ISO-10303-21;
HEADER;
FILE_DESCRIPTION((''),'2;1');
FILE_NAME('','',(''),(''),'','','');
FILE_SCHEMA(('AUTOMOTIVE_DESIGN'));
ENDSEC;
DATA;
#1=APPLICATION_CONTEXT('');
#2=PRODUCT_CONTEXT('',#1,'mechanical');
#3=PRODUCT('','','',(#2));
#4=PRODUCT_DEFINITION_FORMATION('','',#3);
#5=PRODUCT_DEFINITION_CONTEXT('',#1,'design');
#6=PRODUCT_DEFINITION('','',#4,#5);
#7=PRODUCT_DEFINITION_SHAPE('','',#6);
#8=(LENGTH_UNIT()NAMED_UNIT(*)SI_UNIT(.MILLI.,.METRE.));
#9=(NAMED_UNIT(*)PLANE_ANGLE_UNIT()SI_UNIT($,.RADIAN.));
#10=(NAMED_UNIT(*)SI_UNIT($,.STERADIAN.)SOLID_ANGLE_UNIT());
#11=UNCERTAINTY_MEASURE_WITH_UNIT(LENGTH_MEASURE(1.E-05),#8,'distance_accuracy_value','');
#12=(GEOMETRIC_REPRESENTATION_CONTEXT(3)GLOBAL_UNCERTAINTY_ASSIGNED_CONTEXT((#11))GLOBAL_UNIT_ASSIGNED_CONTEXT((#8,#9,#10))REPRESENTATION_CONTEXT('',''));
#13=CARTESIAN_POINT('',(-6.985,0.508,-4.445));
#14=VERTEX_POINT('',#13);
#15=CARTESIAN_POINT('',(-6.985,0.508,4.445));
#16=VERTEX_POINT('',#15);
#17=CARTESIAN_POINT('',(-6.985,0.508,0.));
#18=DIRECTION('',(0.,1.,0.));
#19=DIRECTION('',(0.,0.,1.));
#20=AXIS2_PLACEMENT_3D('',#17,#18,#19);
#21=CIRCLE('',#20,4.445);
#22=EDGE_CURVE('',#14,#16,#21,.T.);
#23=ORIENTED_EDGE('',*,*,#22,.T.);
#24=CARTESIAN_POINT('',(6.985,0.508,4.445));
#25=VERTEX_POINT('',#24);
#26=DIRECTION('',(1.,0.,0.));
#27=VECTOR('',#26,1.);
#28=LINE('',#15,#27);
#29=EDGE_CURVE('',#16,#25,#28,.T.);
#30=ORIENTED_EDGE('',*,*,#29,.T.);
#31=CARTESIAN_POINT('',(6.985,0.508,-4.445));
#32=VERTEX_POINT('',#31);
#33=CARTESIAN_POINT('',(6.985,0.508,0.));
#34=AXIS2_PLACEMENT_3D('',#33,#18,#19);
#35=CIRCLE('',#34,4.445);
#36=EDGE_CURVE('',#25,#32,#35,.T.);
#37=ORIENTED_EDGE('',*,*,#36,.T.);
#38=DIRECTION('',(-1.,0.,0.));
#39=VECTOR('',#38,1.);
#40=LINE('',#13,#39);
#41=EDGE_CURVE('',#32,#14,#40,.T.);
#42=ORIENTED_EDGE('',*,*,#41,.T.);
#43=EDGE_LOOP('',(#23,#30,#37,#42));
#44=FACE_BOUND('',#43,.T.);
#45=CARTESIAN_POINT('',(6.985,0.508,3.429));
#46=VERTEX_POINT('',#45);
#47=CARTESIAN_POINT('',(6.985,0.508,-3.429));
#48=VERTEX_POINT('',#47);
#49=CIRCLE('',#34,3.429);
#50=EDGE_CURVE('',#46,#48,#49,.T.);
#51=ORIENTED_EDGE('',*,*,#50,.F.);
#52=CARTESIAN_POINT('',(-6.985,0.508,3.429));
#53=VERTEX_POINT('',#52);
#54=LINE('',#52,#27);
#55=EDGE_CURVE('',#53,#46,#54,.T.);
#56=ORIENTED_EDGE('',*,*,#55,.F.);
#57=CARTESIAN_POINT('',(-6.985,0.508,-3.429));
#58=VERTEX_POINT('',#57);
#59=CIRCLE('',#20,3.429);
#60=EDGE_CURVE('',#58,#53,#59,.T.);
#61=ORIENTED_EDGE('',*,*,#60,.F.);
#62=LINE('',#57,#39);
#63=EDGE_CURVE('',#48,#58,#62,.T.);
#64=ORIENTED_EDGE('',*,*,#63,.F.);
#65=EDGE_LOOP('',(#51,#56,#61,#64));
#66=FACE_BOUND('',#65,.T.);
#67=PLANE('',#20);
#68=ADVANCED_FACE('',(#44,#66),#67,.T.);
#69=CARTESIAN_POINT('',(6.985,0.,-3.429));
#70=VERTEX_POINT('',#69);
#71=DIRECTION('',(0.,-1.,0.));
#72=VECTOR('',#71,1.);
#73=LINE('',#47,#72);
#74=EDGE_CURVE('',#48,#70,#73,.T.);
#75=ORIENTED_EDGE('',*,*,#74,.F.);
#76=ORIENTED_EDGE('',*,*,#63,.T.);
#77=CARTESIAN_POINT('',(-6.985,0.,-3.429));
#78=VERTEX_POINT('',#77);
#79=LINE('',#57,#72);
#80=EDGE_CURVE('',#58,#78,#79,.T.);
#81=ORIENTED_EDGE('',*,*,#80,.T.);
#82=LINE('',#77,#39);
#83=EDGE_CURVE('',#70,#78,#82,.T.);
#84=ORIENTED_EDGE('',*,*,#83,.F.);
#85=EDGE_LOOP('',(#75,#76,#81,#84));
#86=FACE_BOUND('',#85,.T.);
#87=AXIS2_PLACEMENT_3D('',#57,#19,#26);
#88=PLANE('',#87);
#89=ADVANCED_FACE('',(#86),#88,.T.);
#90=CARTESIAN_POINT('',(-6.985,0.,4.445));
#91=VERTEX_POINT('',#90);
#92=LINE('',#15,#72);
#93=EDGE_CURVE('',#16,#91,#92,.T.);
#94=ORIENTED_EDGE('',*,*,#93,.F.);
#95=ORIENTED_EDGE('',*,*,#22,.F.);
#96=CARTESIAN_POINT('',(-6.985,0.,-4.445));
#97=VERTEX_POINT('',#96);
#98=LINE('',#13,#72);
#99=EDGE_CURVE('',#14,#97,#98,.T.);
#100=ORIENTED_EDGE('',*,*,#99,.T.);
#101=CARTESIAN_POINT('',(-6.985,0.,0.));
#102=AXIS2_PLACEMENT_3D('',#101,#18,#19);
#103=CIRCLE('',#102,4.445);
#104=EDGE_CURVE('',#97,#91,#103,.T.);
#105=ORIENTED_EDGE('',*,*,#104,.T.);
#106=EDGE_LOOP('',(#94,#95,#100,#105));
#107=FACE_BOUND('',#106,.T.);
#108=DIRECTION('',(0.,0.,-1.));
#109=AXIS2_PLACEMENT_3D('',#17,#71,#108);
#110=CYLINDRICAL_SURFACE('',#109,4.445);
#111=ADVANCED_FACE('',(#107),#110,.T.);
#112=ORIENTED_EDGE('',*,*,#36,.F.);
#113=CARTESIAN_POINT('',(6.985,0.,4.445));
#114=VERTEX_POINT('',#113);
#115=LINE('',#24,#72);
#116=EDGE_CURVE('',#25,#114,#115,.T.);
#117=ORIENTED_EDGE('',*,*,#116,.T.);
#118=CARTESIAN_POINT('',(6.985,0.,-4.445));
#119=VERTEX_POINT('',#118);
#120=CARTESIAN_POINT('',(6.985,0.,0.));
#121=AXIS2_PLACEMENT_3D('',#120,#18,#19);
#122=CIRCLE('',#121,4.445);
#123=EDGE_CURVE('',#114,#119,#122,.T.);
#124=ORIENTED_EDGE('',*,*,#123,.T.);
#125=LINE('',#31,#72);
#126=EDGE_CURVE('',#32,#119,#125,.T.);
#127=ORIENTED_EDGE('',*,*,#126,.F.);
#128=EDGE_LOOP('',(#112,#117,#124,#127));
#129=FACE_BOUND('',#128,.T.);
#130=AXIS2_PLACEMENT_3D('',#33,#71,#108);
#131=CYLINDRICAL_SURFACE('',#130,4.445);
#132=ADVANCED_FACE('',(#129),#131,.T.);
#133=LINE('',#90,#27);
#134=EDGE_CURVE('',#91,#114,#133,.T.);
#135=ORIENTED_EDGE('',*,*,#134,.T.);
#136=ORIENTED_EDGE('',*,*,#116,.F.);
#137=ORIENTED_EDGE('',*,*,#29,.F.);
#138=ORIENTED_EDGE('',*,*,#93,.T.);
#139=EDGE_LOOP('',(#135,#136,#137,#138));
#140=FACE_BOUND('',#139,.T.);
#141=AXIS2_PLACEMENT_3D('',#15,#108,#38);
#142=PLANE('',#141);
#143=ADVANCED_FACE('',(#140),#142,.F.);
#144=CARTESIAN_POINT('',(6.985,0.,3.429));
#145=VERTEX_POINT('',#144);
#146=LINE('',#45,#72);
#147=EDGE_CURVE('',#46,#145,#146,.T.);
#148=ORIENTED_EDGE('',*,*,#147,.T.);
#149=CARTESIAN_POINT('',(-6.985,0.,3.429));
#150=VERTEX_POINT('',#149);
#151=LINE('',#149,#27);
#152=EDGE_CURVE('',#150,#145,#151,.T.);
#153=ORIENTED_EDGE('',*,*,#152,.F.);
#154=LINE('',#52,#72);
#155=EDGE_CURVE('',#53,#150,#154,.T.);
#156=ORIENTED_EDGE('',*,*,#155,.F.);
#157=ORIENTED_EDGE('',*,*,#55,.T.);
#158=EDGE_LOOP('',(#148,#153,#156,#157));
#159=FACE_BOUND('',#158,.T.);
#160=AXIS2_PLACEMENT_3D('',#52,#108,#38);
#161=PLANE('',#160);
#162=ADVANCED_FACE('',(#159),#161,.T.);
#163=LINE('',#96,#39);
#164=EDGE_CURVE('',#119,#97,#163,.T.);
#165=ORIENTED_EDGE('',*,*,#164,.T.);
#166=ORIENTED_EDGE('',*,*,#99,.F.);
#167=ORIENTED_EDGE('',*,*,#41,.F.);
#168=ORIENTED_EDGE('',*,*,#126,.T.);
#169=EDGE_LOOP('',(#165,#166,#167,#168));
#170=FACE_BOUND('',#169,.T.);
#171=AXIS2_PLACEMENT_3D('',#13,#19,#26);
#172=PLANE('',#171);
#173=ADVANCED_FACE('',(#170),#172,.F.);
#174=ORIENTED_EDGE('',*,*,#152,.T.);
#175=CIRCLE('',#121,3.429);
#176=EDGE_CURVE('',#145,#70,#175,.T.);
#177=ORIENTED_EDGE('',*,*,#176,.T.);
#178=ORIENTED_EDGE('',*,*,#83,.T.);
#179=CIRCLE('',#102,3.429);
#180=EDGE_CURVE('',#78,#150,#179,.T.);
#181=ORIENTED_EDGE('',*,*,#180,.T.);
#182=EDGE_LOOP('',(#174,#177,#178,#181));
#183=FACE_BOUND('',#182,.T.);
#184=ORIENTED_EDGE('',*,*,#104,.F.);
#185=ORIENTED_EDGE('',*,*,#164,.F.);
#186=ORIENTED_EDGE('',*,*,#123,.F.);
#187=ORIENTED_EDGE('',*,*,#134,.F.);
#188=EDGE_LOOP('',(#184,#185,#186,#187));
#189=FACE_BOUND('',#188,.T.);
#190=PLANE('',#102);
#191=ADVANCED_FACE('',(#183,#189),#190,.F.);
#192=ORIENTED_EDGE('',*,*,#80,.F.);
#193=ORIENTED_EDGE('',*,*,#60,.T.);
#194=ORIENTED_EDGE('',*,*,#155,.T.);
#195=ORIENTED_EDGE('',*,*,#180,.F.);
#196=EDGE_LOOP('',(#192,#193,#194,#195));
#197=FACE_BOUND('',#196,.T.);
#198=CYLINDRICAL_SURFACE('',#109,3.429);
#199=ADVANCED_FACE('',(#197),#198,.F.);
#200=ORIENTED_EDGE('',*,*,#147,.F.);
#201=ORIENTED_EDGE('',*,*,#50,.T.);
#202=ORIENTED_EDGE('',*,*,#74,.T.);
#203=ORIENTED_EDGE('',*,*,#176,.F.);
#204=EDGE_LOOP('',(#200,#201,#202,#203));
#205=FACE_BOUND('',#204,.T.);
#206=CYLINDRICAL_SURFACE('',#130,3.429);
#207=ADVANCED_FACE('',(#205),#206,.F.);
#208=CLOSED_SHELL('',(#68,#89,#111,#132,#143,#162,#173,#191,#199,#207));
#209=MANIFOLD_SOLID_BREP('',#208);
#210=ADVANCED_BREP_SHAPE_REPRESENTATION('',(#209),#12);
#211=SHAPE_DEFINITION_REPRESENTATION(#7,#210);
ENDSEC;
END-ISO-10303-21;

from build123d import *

# Parameters (mm, degrees)
BOSS_EXTRUDE1_DEPTH = 0.508


with BuildPart() as part:
    # Sketch1 → Boss-Extrude1 (new body)
    with BuildSketch(Plane(origin=(0, 0, 0), x_dir=(1, 0, 0), z_dir=(0, 1, 0))):
        with BuildLine():
            Line((-6.985, 4.445), (6.985, 4.445))
            ThreePointArc((6.985, 4.445), (11.43, 0), (6.985, -4.445))
            Line((6.985, -4.445), (-6.985, -4.445))
            ThreePointArc((-6.985, -4.445), (-11.43, 0), (-6.985, 4.445))
        make_face()
        with BuildLine():
            Line((-6.985, 3.429), (6.985, 3.429))
            ThreePointArc((6.985, 3.429), (10.414, 0), (6.985, -3.429))
            Line((6.985, -3.429), (-6.985, -3.429))
            ThreePointArc((-6.985, -3.429), (-10.414, 0), (-6.985, 3.429))
        make_face(mode=Mode.SUBTRACT)
    extrude(amount=BOSS_EXTRUDE1_DEPTH)


solid = part.part
